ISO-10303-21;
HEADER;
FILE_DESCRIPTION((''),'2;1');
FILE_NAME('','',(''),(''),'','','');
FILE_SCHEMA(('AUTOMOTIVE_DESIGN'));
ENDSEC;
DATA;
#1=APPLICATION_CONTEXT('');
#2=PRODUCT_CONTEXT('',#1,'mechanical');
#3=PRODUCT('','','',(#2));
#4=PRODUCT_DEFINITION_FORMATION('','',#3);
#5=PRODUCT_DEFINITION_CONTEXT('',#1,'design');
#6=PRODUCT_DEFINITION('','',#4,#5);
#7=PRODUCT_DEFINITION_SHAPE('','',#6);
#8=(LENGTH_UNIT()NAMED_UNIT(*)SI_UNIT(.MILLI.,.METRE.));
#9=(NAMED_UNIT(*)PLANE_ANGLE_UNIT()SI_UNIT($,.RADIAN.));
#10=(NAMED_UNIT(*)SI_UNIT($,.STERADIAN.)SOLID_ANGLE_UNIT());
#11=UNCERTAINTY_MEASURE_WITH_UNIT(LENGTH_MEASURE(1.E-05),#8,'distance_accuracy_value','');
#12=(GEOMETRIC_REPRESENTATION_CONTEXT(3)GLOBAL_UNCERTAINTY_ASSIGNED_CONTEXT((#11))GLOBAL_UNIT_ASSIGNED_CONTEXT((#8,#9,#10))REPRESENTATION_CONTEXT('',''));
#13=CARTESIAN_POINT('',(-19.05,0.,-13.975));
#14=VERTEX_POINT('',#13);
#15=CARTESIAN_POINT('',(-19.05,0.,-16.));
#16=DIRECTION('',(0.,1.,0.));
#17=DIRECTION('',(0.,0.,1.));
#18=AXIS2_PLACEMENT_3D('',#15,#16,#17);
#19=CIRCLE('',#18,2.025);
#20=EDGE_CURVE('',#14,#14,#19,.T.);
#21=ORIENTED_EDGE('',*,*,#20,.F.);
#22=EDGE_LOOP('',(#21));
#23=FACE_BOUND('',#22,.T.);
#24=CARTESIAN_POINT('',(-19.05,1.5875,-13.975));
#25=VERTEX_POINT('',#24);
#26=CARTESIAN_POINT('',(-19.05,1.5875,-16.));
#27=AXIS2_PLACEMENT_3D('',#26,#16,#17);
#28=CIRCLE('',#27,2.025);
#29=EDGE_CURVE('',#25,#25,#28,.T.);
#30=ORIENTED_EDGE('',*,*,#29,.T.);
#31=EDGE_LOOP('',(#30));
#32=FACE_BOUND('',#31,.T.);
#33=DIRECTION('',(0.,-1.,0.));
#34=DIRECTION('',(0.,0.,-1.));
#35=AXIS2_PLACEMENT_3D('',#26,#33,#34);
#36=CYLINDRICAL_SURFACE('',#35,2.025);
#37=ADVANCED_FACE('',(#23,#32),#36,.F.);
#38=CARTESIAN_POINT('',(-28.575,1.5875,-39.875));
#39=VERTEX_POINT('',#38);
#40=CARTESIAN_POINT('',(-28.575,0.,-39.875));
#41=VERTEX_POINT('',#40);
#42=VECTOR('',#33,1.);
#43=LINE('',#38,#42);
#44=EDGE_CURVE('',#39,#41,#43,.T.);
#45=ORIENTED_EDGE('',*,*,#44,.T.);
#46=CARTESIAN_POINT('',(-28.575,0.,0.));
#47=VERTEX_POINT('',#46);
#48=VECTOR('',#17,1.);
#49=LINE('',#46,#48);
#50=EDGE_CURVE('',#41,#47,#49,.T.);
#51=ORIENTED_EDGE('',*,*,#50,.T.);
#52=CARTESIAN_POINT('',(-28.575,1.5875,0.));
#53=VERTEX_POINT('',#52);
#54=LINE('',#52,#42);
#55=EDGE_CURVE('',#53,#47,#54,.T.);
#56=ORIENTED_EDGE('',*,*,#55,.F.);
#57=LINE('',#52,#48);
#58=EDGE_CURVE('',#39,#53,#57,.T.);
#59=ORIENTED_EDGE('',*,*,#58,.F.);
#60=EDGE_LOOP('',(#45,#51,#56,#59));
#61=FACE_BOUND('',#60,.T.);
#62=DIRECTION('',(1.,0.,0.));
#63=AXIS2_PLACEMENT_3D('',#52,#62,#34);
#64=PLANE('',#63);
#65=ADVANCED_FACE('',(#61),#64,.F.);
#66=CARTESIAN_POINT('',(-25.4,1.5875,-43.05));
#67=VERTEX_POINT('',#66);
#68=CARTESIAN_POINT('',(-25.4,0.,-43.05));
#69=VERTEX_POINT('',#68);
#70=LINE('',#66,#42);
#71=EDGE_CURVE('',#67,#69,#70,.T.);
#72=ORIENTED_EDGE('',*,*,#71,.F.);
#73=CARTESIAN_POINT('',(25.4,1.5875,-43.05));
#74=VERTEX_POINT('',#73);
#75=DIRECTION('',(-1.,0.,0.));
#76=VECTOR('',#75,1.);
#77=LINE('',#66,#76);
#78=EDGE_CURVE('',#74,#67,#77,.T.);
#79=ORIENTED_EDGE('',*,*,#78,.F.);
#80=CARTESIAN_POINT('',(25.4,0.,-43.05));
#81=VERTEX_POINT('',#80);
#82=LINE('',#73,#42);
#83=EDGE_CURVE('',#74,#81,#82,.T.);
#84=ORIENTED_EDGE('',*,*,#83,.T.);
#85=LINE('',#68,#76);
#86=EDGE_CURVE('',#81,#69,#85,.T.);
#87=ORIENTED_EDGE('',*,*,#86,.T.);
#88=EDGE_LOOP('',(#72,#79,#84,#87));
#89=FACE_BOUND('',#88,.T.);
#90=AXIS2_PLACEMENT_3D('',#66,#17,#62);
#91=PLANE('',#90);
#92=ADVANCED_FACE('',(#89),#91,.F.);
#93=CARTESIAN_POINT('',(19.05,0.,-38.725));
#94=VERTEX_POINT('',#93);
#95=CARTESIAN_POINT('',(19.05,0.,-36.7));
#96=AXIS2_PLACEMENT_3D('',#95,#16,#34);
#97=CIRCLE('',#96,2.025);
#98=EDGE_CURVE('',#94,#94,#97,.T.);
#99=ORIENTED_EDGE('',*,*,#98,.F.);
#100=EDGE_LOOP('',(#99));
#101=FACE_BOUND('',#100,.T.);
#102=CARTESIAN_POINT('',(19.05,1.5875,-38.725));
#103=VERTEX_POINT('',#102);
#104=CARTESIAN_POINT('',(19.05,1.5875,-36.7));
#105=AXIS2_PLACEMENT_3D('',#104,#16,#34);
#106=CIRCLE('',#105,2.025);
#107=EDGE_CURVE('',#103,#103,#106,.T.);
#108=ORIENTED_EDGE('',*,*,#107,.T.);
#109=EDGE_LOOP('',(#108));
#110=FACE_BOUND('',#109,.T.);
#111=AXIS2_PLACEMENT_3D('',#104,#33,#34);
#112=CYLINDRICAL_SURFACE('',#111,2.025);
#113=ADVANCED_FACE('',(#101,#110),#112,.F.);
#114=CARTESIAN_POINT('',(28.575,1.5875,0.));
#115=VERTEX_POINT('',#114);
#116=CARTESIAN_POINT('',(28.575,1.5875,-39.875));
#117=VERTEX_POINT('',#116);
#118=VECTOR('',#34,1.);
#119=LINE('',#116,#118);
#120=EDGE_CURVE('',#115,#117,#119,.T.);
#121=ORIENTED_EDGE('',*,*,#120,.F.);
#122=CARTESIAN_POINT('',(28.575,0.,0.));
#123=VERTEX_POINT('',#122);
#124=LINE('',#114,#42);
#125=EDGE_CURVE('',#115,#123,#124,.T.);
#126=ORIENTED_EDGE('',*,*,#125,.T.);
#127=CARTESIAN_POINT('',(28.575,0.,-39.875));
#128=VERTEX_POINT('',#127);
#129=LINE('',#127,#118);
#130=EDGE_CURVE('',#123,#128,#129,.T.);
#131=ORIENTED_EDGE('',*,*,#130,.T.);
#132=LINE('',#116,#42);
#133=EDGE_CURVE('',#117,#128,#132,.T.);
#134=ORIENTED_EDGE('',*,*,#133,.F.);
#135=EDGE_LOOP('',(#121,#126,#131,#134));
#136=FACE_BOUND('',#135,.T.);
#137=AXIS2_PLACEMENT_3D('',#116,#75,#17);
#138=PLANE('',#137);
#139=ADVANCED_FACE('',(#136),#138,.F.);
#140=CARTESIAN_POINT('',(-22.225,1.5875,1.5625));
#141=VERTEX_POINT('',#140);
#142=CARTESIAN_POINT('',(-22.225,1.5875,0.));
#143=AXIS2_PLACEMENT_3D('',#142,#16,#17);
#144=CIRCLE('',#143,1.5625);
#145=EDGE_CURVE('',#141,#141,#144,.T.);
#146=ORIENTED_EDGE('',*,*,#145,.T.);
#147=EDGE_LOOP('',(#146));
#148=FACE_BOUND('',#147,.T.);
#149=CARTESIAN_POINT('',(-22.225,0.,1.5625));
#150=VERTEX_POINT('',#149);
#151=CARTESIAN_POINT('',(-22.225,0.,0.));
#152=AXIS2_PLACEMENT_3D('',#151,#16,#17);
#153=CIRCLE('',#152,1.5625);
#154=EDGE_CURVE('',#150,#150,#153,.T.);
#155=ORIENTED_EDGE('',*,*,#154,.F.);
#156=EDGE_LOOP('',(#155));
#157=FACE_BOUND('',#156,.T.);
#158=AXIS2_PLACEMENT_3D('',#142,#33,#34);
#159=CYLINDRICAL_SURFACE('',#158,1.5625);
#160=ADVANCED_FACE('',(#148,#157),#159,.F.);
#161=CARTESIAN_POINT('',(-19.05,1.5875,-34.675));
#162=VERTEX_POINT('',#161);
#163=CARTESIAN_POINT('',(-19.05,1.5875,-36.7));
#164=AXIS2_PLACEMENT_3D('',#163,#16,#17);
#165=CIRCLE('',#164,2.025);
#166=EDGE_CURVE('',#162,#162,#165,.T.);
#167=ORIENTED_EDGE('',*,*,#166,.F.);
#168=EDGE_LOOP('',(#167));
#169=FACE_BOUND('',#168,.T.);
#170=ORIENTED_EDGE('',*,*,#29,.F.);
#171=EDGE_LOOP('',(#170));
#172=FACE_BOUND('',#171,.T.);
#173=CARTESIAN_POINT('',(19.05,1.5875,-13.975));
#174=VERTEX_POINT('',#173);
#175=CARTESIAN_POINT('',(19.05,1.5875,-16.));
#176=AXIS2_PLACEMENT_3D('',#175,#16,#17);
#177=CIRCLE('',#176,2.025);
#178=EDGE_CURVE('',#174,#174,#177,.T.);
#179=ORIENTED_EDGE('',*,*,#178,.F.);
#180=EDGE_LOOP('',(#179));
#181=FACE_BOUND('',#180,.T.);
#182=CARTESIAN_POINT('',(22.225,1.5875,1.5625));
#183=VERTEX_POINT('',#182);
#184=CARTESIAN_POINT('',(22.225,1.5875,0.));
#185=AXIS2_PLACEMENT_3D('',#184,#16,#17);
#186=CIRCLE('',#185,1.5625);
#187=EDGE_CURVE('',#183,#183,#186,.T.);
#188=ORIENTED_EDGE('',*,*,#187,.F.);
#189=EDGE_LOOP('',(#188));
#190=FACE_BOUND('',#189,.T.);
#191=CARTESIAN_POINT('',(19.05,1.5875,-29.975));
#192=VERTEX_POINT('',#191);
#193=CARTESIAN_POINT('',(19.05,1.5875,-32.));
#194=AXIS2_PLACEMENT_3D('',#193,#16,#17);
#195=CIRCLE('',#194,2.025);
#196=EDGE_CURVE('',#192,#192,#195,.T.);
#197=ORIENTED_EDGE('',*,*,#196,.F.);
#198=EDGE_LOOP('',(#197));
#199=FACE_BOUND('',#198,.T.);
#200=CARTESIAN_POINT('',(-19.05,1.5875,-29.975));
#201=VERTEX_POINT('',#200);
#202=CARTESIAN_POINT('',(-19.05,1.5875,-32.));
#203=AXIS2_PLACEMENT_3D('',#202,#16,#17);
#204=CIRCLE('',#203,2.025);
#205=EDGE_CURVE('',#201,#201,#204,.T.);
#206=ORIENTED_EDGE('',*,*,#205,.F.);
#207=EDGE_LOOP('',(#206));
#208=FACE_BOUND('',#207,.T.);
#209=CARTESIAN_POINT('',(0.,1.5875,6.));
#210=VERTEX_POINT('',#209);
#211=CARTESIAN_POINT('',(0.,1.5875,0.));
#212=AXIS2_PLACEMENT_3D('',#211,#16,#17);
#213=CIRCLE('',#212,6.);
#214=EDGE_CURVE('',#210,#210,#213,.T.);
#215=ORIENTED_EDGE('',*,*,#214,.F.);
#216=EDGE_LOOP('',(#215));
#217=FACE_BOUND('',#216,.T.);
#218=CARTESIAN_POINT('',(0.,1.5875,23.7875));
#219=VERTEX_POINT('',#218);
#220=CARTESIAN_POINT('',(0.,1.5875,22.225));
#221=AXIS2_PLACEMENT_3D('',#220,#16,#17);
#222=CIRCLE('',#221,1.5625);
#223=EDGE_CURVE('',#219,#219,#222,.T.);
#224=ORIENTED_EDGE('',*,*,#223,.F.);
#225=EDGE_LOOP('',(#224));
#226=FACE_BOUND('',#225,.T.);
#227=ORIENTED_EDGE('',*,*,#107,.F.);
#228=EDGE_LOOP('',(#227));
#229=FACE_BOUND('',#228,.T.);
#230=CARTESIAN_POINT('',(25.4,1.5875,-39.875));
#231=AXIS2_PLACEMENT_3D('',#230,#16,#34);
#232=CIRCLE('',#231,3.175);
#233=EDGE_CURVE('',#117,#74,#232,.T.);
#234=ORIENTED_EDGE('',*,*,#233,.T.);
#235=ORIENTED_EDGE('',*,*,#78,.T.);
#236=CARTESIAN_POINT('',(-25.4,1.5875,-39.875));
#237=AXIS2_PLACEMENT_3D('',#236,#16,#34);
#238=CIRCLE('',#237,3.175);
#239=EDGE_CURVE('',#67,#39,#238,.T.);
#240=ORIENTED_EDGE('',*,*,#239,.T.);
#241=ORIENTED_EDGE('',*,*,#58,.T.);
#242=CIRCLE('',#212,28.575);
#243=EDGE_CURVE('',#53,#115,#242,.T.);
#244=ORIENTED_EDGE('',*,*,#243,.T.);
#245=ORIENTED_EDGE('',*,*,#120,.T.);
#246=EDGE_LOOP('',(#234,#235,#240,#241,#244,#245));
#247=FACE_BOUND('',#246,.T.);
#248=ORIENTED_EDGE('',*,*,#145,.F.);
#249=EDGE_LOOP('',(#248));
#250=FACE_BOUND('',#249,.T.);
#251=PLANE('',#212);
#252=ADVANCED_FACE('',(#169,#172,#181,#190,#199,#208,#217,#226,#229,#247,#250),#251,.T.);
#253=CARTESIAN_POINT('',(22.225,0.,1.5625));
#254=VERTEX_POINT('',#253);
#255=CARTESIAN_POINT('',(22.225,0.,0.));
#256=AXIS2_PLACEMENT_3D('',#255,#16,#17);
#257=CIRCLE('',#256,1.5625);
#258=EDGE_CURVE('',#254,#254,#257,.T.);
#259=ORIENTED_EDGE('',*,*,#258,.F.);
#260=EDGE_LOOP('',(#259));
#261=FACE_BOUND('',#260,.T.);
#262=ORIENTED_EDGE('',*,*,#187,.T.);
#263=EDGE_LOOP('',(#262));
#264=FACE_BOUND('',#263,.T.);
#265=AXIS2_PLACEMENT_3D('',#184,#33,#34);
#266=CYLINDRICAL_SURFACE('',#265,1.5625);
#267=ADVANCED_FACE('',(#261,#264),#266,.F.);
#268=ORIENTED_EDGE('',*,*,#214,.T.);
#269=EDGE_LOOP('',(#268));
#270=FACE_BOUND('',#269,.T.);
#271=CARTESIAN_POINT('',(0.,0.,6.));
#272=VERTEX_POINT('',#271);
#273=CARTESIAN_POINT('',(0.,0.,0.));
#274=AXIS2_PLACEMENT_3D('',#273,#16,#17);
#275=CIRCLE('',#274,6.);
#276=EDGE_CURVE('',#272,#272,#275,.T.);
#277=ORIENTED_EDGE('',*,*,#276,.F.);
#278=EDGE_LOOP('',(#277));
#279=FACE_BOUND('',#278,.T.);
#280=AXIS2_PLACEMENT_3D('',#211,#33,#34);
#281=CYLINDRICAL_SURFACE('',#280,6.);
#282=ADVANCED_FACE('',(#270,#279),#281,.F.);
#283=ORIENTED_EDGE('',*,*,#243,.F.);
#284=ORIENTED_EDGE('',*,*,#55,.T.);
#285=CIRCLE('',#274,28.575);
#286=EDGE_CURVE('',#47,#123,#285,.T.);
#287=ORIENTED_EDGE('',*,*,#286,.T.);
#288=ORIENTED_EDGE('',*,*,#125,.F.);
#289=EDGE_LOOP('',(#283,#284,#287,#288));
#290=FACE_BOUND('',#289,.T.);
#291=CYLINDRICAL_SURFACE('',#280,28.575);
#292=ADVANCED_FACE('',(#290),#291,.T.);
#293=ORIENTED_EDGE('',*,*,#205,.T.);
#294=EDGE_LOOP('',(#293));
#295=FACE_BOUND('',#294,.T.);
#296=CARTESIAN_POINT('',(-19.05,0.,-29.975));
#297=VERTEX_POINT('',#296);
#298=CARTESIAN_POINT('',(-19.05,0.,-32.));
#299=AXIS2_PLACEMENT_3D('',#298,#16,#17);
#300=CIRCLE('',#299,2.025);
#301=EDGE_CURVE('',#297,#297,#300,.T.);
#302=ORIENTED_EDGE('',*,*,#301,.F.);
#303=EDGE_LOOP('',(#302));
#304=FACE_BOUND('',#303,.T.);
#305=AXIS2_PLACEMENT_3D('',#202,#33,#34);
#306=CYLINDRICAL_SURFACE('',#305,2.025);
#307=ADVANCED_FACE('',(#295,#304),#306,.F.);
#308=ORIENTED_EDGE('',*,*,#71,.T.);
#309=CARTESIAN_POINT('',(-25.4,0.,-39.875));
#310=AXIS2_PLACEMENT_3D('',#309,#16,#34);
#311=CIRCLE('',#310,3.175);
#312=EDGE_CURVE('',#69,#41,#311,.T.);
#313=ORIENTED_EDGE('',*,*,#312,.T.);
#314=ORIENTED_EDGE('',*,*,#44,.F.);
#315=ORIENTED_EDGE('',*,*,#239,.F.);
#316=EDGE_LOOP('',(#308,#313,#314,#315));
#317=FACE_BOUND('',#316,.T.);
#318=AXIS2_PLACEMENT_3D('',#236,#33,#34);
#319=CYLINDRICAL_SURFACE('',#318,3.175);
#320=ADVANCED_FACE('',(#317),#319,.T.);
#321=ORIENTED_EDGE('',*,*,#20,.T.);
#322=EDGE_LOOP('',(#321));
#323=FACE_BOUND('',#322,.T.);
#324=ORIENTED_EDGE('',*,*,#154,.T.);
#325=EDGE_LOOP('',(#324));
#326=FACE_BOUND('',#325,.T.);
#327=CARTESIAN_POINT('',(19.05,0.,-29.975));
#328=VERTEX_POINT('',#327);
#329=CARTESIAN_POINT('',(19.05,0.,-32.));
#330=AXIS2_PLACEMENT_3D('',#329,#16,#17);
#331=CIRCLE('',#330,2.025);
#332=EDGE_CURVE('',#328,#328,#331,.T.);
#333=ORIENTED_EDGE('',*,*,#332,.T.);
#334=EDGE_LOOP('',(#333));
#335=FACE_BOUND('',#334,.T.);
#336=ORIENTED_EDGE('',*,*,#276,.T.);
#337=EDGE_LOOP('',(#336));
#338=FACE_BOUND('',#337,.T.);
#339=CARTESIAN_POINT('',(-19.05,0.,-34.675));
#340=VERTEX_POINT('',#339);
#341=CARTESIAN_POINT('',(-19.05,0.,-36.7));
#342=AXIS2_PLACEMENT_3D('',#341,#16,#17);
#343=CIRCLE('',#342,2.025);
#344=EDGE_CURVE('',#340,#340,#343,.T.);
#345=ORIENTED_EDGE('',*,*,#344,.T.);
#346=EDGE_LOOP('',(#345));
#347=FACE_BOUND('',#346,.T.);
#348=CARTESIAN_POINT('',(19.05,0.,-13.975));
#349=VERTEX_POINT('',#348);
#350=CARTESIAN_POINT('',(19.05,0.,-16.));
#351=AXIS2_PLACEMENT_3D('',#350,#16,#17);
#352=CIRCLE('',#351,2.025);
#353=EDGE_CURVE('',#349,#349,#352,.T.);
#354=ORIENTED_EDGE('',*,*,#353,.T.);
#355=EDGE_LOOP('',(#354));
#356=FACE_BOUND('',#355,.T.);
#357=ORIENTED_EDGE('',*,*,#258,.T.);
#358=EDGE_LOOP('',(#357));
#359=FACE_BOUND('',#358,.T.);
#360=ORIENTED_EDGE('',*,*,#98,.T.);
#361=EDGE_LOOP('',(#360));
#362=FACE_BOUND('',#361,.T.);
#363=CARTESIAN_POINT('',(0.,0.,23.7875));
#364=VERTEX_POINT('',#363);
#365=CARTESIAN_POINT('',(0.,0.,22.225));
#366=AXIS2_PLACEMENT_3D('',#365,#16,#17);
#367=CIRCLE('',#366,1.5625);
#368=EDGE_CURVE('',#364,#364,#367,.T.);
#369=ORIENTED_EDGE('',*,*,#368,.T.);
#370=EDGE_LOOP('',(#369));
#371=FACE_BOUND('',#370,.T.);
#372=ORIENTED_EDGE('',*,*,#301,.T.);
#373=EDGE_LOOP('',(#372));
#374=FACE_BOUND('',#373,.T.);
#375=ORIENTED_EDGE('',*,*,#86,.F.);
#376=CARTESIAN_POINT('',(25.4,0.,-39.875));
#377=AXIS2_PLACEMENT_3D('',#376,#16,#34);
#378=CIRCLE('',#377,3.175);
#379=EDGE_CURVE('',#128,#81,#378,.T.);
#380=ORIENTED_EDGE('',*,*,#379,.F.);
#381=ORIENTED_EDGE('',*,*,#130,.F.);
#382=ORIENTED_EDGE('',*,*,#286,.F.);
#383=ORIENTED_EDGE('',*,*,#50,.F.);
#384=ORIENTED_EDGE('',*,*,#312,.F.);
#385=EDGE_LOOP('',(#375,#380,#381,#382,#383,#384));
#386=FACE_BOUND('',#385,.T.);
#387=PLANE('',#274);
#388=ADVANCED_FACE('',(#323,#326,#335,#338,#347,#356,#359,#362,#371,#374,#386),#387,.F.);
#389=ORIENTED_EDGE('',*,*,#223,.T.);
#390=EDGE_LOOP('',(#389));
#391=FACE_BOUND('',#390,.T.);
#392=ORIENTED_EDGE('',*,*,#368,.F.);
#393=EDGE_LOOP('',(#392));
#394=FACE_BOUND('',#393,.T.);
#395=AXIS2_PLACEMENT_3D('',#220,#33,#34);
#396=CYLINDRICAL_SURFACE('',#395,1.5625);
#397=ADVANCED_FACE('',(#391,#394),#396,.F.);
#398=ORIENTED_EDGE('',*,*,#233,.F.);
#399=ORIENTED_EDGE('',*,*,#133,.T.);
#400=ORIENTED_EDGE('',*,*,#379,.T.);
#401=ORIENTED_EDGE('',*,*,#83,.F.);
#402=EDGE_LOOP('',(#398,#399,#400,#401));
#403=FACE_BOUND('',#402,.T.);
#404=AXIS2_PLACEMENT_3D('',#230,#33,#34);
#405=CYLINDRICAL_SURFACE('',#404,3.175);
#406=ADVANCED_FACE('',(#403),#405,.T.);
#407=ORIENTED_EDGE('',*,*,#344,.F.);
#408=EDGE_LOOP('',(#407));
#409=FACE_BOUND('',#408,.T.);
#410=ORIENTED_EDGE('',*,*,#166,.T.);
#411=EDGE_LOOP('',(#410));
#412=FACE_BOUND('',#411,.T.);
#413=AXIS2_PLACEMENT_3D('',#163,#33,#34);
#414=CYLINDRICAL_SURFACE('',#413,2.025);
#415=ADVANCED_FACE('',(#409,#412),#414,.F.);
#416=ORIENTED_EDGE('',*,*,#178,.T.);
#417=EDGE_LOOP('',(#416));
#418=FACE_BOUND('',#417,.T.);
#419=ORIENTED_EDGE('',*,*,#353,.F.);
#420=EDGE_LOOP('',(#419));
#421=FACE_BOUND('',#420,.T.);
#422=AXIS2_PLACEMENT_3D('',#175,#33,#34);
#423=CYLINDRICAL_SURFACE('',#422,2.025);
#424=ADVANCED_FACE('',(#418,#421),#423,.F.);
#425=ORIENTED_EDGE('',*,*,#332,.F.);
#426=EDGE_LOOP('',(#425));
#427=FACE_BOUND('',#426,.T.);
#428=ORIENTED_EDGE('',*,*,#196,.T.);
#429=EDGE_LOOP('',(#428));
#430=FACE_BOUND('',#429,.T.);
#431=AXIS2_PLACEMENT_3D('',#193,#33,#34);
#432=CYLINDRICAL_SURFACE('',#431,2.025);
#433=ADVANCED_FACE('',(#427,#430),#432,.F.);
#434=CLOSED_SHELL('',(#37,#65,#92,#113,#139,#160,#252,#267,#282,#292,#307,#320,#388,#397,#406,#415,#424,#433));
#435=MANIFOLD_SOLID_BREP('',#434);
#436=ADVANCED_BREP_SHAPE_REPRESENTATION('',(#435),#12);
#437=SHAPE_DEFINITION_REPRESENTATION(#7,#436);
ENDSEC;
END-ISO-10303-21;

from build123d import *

# Parameters (mm, degrees)
SKETCH1_R           = 6
SKETCH1_R_2         = 1.5625
SKETCH1_R_3         = 2.025
BOSS_EXTRUDE1_DEPTH = 1.5875


with BuildPart() as part:
    # Sketch1 → Boss-Extrude1 (new body)
    with BuildSketch(Plane(origin=(0, 0, 0), x_dir=(1, 0, 0), z_dir=(0, 1, 0))):
        with BuildLine():
            Line((-28.575, 0), (-28.575, 39.875))
            ThreePointArc((-28.575, 39.875), (-27.64506403, 42.12006403), (-25.4, 43.05))
            Line((-25.4, 43.05), (25.4, 43.05))
            ThreePointArc((25.4, 43.05), (27.64506403, 42.12006403), (28.575, 39.875))
            Line((28.575, 39.875), (28.575, 0))
            ThreePointArc((28.575, 0), (0, -28.575), (-28.575, 0))
        make_face()
        Circle(SKETCH1_R, mode=Mode.SUBTRACT)
        with Locations((-22.225, 0)):
            Circle(SKETCH1_R_2, mode=Mode.SUBTRACT)
        with Locations((0, -22.225)):
            Circle(SKETCH1_R_2, mode=Mode.SUBTRACT)
        with Locations((22.225, 0)):
            Circle(SKETCH1_R_2, mode=Mode.SUBTRACT)
        with Locations((-19.05, 16)):
            Circle(SKETCH1_R_3, mode=Mode.SUBTRACT)
        with Locations((19.05, 16)):
            Circle(SKETCH1_R_3, mode=Mode.SUBTRACT)
        with Locations((19.05, 32)):
            Circle(SKETCH1_R_3, mode=Mode.SUBTRACT)
        with Locations((-19.05, 32)):
            Circle(SKETCH1_R_3, mode=Mode.SUBTRACT)
        with Locations((-19.05, 36.7)):
            Circle(SKETCH1_R_3, mode=Mode.SUBTRACT)
        with Locations((19.05, 36.7)):
            Circle(SKETCH1_R_3, mode=Mode.SUBTRACT)
    extrude(amount=BOSS_EXTRUDE1_DEPTH)


solid = part.part
